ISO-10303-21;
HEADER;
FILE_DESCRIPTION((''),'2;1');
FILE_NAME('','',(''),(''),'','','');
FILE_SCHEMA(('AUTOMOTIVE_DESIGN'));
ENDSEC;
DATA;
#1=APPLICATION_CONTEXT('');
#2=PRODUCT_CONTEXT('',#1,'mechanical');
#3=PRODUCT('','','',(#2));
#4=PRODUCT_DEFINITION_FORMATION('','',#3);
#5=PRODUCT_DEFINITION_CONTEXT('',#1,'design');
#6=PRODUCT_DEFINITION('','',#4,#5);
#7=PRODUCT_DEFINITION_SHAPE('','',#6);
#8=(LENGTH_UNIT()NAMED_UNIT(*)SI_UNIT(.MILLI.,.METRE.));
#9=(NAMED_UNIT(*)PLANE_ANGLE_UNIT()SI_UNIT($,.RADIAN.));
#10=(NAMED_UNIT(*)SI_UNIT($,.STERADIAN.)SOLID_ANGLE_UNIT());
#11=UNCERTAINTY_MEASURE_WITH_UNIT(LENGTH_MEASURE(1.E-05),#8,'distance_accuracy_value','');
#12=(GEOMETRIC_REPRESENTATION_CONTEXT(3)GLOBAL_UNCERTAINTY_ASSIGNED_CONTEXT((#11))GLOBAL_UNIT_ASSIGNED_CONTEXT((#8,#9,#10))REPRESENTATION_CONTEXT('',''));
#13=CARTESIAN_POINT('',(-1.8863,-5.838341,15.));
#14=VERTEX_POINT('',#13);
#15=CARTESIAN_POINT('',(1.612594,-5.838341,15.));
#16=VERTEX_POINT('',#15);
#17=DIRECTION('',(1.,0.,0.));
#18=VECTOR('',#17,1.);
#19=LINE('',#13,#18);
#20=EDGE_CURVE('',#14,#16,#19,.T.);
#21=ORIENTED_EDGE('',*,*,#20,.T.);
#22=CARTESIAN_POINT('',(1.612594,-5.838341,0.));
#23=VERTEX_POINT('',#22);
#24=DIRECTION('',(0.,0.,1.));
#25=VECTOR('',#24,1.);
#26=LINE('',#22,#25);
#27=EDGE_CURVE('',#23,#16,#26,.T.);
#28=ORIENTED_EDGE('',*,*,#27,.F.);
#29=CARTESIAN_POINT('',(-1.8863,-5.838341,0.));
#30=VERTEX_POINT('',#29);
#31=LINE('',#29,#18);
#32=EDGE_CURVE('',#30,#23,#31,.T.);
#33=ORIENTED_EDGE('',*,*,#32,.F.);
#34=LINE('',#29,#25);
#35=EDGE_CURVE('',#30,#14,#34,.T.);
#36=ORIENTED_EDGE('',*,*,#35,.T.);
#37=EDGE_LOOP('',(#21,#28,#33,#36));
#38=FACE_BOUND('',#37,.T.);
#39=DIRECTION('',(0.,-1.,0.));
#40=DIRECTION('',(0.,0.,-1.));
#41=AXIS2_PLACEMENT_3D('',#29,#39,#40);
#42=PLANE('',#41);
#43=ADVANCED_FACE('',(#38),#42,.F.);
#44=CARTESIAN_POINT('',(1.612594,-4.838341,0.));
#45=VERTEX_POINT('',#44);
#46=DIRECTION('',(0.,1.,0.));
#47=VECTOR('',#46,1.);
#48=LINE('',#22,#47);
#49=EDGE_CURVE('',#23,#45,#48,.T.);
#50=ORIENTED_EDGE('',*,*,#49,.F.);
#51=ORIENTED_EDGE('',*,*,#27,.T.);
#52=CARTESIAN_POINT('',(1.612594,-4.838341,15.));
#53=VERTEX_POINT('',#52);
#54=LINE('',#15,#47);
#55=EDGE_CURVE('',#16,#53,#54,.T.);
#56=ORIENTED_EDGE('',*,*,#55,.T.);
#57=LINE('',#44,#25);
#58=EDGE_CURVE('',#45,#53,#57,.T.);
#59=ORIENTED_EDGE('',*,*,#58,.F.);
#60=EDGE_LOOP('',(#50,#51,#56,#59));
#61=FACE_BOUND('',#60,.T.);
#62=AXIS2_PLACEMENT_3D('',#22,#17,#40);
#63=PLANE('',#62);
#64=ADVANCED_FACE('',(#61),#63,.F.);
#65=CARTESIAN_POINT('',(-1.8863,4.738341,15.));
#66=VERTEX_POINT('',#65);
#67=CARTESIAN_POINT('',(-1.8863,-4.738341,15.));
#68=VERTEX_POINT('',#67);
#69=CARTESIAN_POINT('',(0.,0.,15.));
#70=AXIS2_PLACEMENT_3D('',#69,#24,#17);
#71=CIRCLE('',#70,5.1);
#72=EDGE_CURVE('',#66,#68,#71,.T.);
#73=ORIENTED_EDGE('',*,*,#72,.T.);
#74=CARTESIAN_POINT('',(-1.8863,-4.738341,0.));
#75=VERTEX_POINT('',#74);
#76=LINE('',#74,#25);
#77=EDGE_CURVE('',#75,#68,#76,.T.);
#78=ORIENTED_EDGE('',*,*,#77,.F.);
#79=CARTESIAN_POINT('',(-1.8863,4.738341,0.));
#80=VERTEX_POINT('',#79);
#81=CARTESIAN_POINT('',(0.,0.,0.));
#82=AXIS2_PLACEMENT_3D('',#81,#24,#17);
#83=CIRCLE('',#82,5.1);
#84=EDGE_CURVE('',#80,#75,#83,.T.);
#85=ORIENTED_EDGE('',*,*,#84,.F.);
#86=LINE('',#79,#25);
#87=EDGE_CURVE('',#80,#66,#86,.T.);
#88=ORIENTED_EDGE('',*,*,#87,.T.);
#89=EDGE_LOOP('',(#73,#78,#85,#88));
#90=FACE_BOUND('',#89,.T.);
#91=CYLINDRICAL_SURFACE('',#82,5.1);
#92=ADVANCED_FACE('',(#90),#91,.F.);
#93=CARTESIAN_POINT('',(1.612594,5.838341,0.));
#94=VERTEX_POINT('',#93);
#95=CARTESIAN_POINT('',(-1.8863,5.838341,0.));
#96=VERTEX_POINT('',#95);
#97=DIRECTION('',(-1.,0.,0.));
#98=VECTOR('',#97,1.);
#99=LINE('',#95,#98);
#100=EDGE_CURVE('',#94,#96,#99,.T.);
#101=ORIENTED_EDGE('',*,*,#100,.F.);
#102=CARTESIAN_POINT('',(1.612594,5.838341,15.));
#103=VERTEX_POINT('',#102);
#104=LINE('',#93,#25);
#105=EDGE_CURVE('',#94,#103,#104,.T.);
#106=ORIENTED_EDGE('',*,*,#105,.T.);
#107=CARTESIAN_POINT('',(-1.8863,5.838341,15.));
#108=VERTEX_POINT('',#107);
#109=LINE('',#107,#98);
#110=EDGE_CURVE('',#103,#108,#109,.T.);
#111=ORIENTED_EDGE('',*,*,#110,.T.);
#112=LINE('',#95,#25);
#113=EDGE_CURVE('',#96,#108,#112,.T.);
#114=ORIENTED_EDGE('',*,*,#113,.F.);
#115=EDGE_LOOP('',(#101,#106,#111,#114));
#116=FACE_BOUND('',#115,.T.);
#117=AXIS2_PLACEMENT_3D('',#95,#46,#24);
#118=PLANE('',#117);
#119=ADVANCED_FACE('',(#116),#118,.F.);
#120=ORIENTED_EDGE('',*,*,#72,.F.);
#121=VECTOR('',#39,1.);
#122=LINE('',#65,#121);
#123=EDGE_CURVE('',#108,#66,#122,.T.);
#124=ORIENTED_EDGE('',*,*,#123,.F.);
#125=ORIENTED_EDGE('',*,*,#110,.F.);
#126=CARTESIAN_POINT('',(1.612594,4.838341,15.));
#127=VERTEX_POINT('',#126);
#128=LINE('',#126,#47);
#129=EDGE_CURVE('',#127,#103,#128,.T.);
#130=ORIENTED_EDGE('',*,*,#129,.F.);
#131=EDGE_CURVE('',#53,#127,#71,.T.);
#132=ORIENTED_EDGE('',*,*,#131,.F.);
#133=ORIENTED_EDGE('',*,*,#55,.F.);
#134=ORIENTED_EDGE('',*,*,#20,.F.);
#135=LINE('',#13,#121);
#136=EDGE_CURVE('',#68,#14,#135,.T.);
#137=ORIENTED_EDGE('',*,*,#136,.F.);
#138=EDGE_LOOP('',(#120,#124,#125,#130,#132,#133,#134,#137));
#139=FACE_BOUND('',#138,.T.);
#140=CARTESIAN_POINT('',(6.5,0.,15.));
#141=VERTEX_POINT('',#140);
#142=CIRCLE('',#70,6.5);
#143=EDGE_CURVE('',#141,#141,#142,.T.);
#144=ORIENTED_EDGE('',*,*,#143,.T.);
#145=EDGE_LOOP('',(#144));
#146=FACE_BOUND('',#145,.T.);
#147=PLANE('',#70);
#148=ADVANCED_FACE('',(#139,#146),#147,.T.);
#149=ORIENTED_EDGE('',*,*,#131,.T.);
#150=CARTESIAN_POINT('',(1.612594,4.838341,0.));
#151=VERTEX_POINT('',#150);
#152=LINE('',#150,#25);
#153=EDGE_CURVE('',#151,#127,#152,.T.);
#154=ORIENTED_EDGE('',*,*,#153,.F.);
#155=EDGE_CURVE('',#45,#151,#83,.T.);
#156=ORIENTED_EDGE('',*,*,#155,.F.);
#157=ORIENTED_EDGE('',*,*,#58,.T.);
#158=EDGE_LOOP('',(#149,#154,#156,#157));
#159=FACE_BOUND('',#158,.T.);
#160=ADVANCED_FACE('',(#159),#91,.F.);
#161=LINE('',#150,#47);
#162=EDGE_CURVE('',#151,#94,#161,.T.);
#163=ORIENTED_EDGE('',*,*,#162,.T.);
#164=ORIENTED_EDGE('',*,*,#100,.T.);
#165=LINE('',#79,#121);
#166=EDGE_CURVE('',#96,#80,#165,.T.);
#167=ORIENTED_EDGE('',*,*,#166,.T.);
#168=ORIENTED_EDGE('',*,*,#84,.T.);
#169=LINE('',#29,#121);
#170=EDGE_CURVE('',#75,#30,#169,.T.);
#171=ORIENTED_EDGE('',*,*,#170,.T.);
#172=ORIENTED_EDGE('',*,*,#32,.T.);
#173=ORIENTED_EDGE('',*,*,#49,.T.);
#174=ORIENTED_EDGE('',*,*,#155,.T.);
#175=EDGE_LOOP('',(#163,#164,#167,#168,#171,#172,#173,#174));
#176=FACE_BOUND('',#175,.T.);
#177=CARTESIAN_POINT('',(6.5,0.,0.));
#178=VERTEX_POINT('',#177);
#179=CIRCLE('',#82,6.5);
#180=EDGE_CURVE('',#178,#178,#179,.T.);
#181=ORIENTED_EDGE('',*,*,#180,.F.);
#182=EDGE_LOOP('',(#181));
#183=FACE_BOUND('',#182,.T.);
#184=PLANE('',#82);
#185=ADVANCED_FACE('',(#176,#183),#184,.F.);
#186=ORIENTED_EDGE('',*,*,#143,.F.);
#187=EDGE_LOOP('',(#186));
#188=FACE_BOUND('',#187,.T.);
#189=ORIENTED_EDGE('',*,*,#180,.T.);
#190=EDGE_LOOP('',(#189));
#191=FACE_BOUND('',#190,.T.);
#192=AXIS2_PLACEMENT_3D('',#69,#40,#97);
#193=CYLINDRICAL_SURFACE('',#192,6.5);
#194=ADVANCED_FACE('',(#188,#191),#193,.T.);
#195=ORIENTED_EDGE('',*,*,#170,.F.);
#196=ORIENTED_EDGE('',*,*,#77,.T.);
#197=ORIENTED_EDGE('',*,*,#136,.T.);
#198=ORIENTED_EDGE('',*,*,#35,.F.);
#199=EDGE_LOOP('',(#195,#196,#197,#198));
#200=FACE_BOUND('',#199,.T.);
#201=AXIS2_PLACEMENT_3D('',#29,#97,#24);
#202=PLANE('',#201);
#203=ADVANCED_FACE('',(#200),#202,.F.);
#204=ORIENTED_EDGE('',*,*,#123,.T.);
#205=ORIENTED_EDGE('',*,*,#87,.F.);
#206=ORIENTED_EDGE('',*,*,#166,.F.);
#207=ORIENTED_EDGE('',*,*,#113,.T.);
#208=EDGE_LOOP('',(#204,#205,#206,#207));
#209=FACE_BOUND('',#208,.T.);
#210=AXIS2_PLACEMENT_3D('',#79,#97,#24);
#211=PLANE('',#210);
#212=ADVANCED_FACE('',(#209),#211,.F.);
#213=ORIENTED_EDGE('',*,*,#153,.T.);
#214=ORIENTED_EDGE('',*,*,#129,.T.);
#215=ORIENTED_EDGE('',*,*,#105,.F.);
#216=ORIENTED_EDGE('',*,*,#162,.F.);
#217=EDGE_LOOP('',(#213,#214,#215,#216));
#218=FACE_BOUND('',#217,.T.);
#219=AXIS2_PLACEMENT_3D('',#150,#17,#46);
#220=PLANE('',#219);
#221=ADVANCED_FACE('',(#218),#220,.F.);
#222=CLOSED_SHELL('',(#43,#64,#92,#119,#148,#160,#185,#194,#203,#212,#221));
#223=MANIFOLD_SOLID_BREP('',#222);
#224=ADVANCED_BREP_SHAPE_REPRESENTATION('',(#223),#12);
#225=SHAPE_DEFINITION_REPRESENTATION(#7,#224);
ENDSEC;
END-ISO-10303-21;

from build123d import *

# Parameters (mm, degrees)
SKETCH1_R           = 6.5
BOSS_EXTRUDE1_DEPTH = 15
CUT_EXTRUDE1_DEPTH  = 18.592612086


with BuildPart() as part:
    # Sketch1 → Boss-Extrude1 (new body)
    with BuildSketch(Plane(origin=(0, 0, 0), x_dir=(0, 1, 0), z_dir=(0, 0, 1))):
        with Locations(Location((0, 0, 0), (0, 0, 270))):
            Circle(SKETCH1_R)
    extrude(amount=BOSS_EXTRUDE1_DEPTH)

    # Sketch2 → Cut-Extrude1 (cut, through all)
    with BuildSketch(Plane.XY.offset(15)):
        with BuildLine():
            Line((-1.886299685, 4.738340796), (-1.886299685, 5.838340796))
            Line((-1.886299685, 5.838340796), (1.612593669, 5.838340796))
            Line((1.612593669, 5.838340796), (1.612593669, 4.838340796))
            ThreePointArc((1.612593669, 4.838340796), (5.1, 0), (1.612593669, -4.838340796))
            Line((1.612593669, -4.838340796), (1.612593669, -5.838340796))
            Line((1.612593669, -5.838340796), (-1.886299685, -5.838340796))
            Line((-1.886299685, -5.838340796), (-1.886299685, -4.738340796))
            ThreePointArc((-1.886299685, -4.738340796), (-5.1, 0), (-1.886299685, 4.738340796))
        make_face()
    extrude(amount=-CUT_EXTRUDE1_DEPTH, mode=Mode.SUBTRACT)


solid = part.part
